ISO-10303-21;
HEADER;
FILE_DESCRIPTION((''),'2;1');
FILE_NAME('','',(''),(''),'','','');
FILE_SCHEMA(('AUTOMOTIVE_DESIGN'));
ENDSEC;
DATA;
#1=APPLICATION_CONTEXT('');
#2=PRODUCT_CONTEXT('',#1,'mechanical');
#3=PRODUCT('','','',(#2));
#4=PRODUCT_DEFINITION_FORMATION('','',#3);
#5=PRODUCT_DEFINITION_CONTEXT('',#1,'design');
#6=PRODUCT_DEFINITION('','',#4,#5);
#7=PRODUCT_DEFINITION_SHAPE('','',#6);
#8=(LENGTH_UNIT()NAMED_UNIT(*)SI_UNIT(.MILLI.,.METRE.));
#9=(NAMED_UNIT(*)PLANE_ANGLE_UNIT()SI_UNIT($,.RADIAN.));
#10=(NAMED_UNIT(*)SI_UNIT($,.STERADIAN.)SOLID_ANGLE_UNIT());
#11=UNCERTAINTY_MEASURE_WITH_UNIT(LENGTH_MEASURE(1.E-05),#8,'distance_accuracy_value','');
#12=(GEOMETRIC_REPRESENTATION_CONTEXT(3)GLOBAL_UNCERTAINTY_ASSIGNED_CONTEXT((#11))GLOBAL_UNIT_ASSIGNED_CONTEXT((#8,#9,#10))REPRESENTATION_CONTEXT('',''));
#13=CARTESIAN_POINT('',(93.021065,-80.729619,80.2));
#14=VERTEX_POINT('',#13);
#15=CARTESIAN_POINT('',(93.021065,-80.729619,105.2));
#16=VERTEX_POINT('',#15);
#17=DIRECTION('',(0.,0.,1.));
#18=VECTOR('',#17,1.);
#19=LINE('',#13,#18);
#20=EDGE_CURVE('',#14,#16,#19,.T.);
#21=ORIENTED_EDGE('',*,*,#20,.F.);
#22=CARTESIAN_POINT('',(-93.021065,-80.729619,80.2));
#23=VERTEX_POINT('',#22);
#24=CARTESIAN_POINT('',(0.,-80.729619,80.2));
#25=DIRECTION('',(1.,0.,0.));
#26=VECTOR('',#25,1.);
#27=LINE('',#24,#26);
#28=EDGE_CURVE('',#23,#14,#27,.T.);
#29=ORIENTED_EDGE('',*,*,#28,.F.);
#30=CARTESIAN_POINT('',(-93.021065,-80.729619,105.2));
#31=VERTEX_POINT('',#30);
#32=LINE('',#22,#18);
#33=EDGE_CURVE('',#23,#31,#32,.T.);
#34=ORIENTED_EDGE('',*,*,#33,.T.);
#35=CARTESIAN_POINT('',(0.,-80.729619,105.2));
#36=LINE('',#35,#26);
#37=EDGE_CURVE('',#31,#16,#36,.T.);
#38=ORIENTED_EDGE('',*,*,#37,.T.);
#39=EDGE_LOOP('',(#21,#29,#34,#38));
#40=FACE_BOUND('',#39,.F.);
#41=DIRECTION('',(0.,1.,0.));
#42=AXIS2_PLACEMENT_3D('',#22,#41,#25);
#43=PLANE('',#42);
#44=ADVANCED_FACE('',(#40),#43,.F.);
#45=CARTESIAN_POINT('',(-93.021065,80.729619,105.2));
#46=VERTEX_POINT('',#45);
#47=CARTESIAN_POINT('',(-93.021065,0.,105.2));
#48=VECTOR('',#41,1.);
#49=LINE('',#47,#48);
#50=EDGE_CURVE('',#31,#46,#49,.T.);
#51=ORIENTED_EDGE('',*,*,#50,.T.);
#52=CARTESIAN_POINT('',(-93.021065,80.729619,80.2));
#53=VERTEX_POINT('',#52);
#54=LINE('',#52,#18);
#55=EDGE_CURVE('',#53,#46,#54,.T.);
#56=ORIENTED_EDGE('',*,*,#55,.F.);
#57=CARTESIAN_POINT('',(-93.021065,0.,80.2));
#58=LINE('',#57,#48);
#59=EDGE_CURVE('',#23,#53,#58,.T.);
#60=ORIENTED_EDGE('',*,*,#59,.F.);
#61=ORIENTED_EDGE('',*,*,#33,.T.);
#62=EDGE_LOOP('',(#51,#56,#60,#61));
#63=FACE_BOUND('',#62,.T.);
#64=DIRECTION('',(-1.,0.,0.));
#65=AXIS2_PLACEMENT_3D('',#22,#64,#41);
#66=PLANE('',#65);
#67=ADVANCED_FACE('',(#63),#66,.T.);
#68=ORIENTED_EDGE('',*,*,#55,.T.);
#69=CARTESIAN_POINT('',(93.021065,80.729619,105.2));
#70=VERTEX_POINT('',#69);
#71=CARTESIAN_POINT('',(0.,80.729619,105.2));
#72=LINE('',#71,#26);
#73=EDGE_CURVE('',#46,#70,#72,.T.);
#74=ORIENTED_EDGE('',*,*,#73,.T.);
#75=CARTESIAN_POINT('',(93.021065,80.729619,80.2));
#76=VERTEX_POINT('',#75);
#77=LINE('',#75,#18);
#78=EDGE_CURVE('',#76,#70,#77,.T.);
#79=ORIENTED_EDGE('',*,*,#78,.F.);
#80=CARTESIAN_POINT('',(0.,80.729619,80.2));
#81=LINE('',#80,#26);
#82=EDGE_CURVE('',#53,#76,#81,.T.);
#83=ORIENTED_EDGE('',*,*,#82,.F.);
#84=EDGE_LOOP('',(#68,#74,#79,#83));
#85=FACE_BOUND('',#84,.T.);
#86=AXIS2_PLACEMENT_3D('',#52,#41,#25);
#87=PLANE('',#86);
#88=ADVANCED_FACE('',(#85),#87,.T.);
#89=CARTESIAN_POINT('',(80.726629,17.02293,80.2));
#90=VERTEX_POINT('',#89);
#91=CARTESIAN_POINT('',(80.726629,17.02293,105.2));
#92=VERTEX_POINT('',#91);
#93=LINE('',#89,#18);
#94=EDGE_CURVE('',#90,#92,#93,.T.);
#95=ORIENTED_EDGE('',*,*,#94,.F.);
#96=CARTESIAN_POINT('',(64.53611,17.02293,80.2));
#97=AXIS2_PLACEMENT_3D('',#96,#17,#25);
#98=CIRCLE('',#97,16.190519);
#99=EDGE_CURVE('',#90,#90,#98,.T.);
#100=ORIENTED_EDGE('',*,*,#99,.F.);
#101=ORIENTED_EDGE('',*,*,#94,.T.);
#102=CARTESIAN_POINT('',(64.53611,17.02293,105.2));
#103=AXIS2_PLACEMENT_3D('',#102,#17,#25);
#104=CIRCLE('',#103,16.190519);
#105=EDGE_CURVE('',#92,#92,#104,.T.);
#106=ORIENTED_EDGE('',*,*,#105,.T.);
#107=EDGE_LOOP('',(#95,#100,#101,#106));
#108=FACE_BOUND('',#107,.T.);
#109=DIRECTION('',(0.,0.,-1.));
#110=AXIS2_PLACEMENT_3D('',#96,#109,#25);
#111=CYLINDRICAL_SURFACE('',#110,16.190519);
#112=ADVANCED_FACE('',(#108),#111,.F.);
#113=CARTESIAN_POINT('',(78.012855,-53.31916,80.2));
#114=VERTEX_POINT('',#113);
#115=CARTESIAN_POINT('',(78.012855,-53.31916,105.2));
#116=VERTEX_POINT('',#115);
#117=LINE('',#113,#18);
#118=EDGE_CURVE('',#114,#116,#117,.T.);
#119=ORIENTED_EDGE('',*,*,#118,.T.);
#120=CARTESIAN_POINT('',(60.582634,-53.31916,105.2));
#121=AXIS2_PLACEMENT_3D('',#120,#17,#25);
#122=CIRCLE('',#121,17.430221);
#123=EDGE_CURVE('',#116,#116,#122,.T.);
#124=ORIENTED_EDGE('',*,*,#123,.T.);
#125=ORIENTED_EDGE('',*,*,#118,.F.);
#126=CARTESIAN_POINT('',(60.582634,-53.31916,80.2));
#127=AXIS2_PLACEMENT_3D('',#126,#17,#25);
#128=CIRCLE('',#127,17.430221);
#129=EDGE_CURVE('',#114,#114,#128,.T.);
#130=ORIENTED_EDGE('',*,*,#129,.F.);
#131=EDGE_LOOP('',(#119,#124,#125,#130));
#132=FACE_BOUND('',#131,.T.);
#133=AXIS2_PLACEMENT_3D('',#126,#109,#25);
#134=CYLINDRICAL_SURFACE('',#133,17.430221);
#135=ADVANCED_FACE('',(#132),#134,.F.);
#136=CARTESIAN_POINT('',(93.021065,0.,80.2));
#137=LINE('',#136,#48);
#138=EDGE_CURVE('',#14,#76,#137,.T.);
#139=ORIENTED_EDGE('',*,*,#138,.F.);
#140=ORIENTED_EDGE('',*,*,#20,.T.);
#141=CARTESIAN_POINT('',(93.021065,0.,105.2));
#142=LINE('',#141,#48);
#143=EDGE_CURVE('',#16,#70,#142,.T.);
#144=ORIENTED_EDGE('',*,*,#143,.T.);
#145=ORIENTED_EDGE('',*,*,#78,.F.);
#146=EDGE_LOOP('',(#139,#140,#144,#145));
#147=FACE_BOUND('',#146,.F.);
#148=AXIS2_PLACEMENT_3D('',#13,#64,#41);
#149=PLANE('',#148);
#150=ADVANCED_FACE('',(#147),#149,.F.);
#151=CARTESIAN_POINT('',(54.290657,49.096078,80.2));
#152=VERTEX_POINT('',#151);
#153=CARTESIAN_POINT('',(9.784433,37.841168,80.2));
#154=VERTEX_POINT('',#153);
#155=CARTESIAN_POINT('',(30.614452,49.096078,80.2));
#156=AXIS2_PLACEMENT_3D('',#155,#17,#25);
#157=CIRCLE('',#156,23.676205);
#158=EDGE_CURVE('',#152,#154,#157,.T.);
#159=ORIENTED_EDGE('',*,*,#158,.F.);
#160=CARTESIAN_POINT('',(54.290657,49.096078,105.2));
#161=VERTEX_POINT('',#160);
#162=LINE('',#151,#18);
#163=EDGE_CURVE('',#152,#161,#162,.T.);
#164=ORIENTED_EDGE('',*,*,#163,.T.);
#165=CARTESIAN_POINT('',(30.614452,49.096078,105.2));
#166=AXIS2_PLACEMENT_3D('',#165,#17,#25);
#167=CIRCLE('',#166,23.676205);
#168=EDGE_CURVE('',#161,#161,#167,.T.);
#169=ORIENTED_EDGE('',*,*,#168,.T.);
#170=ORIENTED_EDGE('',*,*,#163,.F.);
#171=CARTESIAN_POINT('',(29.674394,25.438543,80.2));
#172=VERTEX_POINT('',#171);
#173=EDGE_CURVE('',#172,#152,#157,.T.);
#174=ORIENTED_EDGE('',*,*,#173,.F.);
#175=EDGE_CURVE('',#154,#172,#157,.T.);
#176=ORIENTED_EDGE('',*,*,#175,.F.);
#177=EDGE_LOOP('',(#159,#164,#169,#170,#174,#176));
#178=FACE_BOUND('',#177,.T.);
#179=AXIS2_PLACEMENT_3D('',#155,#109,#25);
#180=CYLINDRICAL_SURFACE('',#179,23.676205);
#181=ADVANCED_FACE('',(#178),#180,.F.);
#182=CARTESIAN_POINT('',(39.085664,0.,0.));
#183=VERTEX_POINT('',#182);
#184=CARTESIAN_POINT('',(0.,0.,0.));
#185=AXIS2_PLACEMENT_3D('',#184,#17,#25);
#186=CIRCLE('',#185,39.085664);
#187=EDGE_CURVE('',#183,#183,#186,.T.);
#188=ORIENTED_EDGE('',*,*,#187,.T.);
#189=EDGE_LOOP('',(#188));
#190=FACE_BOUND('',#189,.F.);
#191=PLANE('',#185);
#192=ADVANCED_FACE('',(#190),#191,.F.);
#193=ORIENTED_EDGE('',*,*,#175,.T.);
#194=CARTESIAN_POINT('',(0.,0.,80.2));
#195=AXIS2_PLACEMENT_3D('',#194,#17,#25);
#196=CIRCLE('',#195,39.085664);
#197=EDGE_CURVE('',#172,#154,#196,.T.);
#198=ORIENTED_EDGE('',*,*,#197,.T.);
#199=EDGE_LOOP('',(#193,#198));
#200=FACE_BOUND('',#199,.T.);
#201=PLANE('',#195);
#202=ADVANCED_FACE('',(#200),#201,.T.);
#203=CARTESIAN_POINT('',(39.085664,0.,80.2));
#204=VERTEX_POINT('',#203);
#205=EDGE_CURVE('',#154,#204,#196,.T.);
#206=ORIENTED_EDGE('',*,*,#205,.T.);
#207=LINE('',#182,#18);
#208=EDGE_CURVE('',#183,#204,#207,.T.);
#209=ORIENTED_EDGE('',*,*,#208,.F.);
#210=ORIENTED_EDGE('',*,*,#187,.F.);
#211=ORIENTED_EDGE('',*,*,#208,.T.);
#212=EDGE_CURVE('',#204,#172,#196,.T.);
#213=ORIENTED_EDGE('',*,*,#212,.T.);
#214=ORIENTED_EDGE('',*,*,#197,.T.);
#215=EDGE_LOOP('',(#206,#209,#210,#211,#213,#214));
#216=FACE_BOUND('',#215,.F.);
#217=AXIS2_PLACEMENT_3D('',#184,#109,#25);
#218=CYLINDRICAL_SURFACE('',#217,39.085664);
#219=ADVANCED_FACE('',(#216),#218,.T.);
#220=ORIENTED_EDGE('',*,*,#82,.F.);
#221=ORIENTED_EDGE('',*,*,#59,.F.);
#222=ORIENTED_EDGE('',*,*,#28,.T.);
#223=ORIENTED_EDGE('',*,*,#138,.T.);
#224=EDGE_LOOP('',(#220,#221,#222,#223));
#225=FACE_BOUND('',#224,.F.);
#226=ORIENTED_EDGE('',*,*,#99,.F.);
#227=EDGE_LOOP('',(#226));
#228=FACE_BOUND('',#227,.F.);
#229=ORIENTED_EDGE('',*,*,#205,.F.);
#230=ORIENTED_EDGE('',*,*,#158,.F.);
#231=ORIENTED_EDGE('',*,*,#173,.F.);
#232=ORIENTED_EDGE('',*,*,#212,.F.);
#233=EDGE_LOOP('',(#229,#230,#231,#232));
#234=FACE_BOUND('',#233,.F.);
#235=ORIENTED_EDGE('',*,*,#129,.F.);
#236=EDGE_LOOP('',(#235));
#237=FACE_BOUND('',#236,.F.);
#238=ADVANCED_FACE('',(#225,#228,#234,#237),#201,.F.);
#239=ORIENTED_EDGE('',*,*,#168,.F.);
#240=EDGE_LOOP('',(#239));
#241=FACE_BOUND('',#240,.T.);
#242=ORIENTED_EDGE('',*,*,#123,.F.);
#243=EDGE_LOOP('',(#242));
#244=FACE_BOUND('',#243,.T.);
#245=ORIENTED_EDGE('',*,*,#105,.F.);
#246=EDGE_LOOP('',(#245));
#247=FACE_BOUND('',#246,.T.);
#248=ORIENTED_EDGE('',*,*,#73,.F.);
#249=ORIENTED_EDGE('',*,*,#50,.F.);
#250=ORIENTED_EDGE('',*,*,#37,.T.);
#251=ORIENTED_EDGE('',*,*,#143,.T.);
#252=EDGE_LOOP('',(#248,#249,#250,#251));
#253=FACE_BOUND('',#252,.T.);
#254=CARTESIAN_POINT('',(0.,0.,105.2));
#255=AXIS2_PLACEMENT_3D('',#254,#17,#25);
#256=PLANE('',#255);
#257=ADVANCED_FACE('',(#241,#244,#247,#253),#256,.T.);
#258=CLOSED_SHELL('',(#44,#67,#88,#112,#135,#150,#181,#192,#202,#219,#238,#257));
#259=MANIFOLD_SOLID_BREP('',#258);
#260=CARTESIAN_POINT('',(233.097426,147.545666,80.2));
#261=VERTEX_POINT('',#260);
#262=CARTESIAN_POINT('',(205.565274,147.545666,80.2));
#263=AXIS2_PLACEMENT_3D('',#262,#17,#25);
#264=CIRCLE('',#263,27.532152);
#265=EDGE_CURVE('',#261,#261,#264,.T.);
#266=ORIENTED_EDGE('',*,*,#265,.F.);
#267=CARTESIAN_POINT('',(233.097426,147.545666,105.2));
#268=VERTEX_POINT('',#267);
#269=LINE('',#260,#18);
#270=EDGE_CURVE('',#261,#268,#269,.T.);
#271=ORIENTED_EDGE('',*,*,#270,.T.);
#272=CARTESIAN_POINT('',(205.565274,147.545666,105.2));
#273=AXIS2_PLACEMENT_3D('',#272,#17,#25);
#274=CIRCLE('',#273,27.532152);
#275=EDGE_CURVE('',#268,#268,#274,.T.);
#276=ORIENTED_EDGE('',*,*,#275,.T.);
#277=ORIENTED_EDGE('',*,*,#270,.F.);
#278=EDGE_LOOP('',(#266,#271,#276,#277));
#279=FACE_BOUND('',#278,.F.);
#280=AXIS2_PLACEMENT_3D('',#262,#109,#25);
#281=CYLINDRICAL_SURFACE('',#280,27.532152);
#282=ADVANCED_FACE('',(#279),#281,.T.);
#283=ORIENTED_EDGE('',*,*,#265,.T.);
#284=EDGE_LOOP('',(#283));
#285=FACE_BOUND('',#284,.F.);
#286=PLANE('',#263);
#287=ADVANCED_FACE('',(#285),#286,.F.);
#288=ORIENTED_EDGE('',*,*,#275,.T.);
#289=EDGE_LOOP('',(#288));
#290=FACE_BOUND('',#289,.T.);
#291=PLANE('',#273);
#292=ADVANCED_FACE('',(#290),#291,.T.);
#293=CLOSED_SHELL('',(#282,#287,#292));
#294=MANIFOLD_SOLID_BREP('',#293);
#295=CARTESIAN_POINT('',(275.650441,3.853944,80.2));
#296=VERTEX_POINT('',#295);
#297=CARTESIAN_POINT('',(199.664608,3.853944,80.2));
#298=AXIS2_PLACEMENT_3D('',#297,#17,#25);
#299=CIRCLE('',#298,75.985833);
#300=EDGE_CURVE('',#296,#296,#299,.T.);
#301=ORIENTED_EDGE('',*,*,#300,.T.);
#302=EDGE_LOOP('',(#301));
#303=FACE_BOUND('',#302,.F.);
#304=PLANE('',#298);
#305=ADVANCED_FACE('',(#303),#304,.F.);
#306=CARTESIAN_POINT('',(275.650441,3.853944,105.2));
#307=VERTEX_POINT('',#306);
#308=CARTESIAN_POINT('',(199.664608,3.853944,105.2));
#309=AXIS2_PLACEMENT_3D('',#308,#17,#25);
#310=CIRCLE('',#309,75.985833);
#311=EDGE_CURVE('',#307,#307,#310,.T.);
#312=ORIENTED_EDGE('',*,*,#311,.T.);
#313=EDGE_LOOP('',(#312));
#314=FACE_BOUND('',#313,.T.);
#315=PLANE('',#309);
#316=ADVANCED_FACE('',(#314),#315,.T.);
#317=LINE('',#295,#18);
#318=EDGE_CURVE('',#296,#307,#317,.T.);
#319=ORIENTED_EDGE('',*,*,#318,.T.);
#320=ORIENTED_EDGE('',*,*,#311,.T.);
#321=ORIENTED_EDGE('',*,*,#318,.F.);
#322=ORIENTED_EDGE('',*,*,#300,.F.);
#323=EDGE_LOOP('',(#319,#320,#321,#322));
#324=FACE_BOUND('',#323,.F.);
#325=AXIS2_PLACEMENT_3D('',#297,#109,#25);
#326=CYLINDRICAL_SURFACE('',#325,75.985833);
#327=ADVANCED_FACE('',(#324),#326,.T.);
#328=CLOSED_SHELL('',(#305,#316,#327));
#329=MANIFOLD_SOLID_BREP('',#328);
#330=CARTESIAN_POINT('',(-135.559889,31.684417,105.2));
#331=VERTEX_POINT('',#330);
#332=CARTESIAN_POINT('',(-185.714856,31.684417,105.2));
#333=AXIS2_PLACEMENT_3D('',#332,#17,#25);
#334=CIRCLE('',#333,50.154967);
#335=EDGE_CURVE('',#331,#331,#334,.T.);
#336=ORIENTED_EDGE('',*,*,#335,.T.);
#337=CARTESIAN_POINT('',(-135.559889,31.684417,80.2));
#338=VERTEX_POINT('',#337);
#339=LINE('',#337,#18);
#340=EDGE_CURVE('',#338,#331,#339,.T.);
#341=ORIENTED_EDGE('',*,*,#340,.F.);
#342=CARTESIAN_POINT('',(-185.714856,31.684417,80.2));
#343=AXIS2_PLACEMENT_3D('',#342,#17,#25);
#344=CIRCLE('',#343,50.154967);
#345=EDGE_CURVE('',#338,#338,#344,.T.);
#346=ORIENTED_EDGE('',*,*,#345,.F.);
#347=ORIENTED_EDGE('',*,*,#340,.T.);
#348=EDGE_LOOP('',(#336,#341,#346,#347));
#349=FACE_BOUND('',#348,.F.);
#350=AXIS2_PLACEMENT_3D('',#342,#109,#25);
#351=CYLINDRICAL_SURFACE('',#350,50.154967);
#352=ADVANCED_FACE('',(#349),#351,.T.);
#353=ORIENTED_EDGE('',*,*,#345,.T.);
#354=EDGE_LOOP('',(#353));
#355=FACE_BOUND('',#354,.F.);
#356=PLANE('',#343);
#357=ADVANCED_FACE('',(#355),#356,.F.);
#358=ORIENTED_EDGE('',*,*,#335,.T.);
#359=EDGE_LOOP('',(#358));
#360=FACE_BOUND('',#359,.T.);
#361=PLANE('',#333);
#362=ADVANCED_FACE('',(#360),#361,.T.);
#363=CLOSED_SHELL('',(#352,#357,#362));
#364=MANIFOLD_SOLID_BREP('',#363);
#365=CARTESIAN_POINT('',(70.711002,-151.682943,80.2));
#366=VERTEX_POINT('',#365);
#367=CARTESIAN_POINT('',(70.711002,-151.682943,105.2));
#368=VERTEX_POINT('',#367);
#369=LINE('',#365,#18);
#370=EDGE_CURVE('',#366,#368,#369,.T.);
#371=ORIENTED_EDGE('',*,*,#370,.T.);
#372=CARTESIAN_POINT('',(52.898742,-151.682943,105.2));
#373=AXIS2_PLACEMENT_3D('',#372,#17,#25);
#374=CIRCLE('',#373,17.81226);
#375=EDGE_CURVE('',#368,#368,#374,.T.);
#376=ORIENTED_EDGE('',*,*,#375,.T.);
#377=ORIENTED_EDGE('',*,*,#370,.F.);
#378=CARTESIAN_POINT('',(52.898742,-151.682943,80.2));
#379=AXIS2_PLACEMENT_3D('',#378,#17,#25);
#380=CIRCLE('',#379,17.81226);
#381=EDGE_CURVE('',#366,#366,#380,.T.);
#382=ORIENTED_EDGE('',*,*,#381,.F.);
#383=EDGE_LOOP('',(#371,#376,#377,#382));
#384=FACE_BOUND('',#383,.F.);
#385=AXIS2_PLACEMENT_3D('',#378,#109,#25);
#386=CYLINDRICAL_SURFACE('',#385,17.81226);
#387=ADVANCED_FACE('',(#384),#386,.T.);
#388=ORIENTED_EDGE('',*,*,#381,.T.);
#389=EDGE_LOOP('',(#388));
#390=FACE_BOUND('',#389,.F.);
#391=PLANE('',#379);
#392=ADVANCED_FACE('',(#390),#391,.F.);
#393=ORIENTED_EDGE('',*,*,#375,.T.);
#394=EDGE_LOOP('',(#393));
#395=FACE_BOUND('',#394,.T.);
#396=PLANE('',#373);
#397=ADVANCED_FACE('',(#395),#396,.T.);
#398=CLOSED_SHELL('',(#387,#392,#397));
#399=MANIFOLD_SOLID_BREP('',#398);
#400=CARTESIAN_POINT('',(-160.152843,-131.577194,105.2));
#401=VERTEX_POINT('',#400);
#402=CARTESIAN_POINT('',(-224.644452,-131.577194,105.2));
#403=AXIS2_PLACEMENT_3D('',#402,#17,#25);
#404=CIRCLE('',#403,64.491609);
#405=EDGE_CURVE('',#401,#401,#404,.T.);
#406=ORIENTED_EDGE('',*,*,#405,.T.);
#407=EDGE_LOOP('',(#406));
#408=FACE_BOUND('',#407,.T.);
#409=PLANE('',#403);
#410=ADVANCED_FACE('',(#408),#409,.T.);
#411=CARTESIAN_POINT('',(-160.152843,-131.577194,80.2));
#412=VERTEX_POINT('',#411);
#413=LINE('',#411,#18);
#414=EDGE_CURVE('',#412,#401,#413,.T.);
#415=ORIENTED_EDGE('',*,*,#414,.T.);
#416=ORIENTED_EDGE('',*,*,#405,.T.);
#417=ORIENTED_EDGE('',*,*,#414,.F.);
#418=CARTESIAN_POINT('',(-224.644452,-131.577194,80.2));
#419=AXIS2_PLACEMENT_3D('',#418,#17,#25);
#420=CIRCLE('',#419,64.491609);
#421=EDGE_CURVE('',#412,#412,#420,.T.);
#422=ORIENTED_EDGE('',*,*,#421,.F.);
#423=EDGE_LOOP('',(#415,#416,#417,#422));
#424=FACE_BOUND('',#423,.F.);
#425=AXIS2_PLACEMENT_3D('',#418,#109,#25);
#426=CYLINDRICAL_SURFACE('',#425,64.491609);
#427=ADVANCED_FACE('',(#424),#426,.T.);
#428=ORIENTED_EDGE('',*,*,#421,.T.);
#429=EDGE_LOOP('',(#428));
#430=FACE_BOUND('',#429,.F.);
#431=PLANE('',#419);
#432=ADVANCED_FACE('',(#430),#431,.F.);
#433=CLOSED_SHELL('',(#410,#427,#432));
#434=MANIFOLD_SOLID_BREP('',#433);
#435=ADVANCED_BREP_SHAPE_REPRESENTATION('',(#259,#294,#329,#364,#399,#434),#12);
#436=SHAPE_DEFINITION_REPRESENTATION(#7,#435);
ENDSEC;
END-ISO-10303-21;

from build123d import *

# Parameters (mm, degrees)
F0_R     = 39.085664
F1_DEPTH = 80.2
F2_W     = 186.04213
F2_H     = 161.459238
F2_R     = 17.430221
F2_R_2   = 16.190519
F2_R_3   = 23.676205
F2_R_4   = 75.985833
F2_R_5   = 27.532152
F2_R_6   = 64.491609
F2_R_7   = 17.81226
F2_R_8   = 50.154967
F3_DEPTH = 25


with BuildPart() as f1:
    # F0 (on Top) → F1 (new body)
    with BuildSketch(Plane.XY):
        Circle(F0_R)
    extrude(amount=F1_DEPTH)

    # F2 (on face) → F3 (join)
    with BuildSketch(Plane.XY.offset(80.2)):
        Rectangle(F2_W, F2_H)
        with Locations((60.582634, -53.31916)):
            Circle(F2_R, mode=Mode.SUBTRACT)
        with Locations((64.53611, 17.02293)):
            Circle(F2_R_2, mode=Mode.SUBTRACT)
        with Locations((30.614452, 49.096078)):
            Circle(F2_R_3, mode=Mode.SUBTRACT)
        with Locations((199.664608, 3.853944)):
            Circle(F2_R_4)
        with Locations((205.565274, 147.545666)):
            Circle(F2_R_5)
        with Locations((-224.644452, -131.577194)):
            Circle(F2_R_6)
        with Locations((52.898742, -151.682943)):
            Circle(F2_R_7)
        with Locations((-185.714856, 31.684417)):
            Circle(F2_R_8)
    extrude(amount=F3_DEPTH)


solid = f1.part
